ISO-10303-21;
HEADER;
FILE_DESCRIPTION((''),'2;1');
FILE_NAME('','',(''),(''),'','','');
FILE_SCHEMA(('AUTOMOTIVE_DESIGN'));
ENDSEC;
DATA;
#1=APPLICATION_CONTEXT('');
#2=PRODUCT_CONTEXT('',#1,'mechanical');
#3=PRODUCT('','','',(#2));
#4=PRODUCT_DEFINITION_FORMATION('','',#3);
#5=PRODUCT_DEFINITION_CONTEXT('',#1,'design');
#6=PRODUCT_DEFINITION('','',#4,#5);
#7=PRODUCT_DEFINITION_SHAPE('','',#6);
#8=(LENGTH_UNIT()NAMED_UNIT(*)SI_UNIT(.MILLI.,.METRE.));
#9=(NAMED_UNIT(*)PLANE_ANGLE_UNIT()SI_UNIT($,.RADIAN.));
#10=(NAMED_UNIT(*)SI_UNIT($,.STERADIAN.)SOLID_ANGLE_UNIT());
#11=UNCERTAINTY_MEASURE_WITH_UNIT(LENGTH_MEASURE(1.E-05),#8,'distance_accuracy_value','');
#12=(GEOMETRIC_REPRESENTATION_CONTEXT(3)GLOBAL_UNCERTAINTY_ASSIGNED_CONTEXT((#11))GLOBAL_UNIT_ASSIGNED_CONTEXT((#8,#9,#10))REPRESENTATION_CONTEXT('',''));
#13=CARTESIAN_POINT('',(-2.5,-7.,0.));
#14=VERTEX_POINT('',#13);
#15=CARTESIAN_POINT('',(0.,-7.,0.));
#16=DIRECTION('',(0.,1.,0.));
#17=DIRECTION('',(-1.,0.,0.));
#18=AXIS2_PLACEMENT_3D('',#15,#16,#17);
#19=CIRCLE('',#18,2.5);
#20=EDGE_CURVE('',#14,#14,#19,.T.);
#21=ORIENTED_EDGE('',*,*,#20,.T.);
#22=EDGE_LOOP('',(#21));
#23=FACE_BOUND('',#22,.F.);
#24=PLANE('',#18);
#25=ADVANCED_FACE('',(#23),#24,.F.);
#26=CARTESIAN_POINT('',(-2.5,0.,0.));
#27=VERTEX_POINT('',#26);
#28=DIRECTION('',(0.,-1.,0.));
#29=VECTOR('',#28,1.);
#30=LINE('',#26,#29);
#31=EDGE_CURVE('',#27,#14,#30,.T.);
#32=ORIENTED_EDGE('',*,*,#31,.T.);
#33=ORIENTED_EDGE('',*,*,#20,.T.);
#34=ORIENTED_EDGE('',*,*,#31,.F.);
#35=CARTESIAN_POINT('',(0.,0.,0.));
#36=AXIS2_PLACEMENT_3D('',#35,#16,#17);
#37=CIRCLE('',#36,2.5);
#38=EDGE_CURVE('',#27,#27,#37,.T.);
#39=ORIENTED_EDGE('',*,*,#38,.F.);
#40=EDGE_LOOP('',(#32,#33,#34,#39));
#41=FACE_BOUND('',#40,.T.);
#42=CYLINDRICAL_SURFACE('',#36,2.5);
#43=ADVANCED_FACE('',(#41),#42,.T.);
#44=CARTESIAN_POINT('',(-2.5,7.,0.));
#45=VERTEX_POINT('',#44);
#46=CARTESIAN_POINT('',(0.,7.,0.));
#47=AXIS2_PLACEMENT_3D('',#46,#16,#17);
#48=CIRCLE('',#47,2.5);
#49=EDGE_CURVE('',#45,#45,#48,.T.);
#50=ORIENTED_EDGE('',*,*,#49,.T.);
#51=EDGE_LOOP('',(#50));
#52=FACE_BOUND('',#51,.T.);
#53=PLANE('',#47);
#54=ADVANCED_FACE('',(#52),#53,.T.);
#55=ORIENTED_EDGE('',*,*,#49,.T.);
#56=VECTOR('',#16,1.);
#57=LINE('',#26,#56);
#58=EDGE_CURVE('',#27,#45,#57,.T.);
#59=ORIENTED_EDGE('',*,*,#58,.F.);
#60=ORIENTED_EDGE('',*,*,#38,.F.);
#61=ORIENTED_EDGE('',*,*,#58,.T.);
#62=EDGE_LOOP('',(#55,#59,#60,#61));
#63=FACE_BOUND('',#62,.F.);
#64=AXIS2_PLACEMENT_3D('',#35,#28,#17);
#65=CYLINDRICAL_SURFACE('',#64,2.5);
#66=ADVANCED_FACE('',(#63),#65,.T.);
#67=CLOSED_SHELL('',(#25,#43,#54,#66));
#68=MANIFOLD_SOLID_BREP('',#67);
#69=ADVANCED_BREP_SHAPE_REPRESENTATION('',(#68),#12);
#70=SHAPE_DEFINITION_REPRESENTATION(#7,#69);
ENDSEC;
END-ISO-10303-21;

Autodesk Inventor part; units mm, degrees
ref_plane "YZ Plane" through (0, 0, 0) normal (1, 0, 0) x (0, 1, 0)
ref_plane "XZ Plane" through (0, 0, 0) normal (0, 1, 0) x (-1, 0, 0)
ref_plane "XY Plane" through (0, 0, 0) normal (0, 0, 1) x (1, 0, 0)
sketch "Sketch1" plane through (0, 0, 0) normal (0, 1, 0) x (-1, 0, 0)
  circle A0 centre (0, 0) radius 2.5
  dimension "d0" = 5
extrude "Extrusion1" add sketch "Sketch1" along normal mid plane 14
properties part number "Idler Shaft" material "Steel, Alloy"
